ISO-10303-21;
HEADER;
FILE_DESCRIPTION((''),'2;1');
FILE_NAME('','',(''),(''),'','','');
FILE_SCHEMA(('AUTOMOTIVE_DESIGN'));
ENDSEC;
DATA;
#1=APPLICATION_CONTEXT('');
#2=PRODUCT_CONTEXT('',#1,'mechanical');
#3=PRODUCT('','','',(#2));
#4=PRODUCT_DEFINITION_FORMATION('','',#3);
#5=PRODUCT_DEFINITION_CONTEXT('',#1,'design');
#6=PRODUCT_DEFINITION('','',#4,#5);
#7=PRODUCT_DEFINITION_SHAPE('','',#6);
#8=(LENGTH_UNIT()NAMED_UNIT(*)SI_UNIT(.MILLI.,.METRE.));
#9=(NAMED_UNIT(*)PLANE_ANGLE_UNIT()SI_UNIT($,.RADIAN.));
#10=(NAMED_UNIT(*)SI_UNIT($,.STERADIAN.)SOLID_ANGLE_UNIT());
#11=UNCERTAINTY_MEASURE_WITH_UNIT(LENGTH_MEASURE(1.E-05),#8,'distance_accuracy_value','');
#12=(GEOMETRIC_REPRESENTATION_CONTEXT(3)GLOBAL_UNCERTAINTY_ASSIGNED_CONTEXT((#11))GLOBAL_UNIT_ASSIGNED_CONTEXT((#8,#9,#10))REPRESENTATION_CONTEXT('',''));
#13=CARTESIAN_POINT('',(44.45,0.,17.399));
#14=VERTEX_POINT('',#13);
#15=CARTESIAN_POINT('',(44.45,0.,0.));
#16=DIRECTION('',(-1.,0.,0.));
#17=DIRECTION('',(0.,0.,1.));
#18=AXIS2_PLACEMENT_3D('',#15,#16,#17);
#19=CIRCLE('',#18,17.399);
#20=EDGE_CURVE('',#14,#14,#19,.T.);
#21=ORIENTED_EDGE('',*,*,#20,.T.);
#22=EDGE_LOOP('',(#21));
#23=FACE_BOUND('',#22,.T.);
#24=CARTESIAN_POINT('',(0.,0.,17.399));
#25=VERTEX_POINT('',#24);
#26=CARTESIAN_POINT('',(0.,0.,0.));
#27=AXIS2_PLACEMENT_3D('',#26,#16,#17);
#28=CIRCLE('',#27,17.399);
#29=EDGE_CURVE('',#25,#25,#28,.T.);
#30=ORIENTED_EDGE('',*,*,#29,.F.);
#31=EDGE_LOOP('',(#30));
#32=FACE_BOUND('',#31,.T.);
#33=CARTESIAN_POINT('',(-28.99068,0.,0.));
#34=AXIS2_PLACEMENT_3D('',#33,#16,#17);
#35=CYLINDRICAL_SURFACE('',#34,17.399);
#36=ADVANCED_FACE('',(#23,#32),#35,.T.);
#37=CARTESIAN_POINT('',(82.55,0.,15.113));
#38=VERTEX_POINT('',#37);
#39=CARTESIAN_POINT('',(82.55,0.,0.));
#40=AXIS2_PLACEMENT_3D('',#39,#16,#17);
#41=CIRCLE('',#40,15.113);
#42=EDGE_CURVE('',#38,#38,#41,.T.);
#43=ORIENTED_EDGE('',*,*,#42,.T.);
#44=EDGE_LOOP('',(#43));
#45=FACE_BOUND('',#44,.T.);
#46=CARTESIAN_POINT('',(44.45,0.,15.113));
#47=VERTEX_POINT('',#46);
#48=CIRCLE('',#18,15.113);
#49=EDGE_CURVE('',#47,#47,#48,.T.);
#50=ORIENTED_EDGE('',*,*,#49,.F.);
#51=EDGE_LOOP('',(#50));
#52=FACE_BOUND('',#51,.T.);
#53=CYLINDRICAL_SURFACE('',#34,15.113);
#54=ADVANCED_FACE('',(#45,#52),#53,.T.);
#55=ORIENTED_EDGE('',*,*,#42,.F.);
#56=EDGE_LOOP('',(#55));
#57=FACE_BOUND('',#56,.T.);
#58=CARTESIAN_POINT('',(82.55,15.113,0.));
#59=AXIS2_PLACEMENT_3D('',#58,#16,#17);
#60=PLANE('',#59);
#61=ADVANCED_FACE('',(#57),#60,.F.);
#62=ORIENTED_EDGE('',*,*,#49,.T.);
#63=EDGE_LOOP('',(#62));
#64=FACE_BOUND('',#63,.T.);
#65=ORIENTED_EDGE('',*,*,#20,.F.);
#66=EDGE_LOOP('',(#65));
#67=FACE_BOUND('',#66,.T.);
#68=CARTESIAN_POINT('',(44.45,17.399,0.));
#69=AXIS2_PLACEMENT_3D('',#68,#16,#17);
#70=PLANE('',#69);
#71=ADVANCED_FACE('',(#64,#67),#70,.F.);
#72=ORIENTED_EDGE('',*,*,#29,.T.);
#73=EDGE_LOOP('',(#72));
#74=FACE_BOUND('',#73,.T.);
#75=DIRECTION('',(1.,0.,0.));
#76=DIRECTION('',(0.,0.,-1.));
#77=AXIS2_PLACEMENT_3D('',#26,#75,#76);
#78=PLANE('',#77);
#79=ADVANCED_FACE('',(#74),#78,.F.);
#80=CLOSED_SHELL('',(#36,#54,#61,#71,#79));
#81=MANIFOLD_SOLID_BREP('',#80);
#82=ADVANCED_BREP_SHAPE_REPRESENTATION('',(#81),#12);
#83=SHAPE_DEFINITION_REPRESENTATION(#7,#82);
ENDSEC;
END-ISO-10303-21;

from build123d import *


with BuildPart() as part:
    # Sketch1 → Revolve1 (revolve)
    with BuildSketch(Plane.XY):
        Polygon((44.45, 17.399), (44.45, 15.113), (82.55, 15.113), (82.55, 0), (0, 0), (0, 17.399), align=None)
    revolve(axis=Axis((-28.99068001, 0, 0), (1, 0, 0)))


solid = part.part
